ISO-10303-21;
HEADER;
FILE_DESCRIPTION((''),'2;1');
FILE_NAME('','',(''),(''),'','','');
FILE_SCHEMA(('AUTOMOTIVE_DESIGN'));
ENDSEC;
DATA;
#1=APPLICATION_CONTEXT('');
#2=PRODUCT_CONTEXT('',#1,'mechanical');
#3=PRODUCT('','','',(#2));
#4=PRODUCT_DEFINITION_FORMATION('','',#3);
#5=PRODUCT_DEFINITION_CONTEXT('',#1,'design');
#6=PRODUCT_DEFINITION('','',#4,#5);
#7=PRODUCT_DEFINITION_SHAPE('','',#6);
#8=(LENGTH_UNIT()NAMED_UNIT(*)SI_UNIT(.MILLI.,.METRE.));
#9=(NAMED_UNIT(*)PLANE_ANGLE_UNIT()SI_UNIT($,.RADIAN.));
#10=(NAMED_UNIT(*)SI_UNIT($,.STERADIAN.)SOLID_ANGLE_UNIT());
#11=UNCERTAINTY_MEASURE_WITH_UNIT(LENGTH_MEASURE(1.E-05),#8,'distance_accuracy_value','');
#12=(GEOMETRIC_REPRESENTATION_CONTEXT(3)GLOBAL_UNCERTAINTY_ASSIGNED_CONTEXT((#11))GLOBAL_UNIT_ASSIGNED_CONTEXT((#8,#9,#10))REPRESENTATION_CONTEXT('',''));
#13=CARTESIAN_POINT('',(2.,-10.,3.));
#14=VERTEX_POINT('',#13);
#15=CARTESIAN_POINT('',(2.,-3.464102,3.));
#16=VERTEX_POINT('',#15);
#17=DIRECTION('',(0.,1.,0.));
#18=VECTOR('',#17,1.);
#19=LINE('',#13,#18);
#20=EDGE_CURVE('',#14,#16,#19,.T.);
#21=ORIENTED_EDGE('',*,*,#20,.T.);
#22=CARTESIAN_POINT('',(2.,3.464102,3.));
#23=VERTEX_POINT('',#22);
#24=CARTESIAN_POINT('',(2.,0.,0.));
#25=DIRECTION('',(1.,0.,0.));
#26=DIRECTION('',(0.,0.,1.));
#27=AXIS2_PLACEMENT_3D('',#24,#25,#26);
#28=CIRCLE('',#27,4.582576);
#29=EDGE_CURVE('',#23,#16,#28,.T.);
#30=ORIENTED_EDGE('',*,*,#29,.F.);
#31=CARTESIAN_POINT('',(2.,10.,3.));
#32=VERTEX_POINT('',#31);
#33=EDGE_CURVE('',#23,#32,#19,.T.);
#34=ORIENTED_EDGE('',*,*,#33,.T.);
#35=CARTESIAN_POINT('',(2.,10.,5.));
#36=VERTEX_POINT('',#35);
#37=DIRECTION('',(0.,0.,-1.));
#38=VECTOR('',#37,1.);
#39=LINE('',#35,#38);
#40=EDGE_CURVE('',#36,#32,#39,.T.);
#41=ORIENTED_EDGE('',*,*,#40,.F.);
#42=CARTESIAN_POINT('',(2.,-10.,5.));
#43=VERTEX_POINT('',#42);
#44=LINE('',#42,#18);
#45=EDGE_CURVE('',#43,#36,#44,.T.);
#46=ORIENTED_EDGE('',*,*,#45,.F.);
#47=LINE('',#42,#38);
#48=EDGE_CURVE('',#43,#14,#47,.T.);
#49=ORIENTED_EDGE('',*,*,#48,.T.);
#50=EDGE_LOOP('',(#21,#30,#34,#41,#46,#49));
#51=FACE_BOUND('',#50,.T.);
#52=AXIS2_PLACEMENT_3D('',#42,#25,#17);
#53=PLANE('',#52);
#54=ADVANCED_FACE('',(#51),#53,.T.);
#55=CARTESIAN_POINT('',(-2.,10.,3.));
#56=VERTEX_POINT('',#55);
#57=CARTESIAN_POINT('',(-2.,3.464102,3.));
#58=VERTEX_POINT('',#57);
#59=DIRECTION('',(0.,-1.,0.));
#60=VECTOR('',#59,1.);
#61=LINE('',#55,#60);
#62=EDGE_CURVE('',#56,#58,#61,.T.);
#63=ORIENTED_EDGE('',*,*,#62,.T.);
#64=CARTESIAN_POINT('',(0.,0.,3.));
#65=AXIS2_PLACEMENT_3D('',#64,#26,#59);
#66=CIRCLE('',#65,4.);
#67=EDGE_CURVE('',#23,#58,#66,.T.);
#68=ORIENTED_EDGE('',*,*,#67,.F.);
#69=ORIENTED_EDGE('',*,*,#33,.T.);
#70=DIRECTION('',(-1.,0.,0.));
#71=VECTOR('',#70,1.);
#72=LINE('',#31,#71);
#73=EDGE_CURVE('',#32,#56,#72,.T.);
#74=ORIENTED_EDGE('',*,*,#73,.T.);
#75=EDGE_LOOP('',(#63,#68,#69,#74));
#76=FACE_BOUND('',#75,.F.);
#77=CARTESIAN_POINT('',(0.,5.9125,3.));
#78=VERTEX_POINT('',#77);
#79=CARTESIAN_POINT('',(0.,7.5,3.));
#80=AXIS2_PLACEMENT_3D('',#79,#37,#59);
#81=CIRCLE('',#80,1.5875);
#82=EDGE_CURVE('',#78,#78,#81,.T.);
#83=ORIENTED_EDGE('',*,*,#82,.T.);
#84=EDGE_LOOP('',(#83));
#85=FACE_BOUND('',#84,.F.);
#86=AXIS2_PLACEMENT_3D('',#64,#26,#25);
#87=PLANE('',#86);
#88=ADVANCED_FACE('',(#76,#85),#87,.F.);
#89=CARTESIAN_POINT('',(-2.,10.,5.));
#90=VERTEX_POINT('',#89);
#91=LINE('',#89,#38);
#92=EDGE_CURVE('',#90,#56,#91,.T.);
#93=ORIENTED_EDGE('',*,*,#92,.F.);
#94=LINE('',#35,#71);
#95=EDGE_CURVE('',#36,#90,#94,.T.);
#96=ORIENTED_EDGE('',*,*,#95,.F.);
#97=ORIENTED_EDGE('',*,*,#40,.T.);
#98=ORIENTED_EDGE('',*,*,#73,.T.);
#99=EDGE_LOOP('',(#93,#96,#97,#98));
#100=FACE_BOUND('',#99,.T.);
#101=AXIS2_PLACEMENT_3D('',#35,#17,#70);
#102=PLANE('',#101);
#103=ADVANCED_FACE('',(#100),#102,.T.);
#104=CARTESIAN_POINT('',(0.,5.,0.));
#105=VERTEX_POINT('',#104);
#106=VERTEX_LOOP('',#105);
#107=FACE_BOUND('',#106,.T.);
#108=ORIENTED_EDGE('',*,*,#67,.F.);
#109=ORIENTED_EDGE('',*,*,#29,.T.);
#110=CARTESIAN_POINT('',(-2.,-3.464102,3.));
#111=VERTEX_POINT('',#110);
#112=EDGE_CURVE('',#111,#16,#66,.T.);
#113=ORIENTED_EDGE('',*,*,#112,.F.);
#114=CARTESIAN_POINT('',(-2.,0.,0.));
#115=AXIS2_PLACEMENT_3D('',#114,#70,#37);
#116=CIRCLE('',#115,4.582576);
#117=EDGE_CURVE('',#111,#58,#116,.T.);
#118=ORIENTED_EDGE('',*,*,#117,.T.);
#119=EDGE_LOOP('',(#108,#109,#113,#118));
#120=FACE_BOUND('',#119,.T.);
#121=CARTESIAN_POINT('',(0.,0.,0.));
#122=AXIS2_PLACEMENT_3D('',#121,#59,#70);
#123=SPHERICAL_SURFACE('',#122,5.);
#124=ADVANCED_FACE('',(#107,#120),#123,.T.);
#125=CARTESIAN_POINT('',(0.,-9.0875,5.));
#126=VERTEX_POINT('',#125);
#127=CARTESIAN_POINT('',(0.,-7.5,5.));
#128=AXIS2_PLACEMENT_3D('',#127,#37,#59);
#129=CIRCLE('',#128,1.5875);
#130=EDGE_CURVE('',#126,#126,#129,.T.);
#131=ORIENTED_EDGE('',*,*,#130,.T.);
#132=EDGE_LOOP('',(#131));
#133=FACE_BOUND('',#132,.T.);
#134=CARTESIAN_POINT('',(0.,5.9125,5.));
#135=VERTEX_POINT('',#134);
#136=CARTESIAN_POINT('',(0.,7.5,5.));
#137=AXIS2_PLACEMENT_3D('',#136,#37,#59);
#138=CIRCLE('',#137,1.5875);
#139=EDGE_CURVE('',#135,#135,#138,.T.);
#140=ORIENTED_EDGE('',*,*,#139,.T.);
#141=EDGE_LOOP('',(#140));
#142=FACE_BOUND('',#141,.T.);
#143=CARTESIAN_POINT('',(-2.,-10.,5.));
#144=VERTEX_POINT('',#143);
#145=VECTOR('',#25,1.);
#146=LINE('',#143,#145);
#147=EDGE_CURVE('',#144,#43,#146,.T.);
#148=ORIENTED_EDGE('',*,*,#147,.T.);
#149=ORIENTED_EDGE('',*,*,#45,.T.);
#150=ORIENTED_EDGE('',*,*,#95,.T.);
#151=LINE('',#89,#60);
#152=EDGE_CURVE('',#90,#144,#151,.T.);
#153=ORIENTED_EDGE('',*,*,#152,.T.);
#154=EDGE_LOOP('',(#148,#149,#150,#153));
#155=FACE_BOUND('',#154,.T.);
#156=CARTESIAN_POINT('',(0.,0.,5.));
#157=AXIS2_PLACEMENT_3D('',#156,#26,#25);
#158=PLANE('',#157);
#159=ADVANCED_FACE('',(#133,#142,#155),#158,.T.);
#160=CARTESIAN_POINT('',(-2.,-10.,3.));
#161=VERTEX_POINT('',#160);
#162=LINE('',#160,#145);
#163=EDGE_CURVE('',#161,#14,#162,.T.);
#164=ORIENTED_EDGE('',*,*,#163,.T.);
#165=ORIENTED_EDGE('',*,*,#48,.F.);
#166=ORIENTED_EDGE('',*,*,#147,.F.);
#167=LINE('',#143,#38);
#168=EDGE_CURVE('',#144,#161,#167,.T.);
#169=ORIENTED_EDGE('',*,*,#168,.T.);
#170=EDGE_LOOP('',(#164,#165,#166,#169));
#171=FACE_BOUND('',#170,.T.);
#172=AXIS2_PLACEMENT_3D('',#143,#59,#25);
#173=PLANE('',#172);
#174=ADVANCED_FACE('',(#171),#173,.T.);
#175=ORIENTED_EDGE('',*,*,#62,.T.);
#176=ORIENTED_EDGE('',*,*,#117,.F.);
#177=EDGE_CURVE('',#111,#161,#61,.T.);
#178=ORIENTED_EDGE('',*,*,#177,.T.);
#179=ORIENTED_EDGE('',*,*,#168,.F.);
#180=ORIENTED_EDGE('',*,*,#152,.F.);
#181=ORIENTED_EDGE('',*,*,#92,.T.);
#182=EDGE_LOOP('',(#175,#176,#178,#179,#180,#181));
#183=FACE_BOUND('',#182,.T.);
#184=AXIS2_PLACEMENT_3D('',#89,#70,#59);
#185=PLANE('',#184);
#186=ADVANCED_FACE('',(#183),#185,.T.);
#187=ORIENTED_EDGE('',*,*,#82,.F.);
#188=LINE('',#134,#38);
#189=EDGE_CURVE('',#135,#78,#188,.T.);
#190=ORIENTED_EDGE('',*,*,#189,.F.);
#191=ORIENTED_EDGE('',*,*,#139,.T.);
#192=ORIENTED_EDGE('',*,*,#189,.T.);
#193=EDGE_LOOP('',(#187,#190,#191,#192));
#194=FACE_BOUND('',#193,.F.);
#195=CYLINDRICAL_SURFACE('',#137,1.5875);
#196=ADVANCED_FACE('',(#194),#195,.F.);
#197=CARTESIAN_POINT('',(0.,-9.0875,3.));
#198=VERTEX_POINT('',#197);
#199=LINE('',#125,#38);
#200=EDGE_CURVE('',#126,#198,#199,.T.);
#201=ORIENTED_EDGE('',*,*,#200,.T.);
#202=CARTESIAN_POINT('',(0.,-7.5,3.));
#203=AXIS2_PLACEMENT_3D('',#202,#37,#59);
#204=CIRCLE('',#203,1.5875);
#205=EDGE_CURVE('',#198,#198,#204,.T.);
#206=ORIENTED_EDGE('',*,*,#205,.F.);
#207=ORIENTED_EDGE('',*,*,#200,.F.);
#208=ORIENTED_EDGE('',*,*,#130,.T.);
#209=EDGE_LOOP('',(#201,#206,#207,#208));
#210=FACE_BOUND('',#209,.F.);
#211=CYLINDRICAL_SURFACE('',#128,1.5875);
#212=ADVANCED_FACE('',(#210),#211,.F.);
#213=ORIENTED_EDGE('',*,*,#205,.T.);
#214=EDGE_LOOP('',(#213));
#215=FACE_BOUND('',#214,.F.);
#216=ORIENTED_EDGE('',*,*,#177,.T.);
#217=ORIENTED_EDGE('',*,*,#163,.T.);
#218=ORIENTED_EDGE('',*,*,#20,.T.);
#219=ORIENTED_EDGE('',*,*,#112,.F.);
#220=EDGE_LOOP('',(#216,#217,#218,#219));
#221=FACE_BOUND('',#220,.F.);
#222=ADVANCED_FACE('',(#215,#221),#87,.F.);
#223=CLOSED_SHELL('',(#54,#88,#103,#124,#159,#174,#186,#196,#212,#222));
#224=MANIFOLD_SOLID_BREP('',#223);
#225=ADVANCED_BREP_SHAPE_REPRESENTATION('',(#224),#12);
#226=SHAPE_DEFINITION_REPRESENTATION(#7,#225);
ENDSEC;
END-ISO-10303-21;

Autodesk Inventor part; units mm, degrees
ref_plane "YZ Plane" through (0, 0, 0) normal (1, 0, 0) x (0, 1, 0)
ref_plane "XZ Plane" through (0, 0, 0) normal (0, 1, 0) x (-1, 0, 0)
sketch "Boceto1" plane through (0, 0, 0) normal (0, 0, 1) x (1, 0, 0)
  arc A0 (0, 5) -> (0, -5) centre (0, 0) ccw
  line L0 (0, 5) -> (0, -5)
revolve "Revolución1" add sketch "Boceto1" angle 360 about axis through (0, 5, 0) along (0, -1, 0)
ref_plane "Plano de trabajo1" through (0, 0, 5) normal (0, 0, 1) x (1, 0, 0)
sketch "Boceto2" plane through (0, 0, 5) normal (0, 0, 1) x (1, 0, 0)
  line L0 (-2, -10) -> (2, -10)
  line L1 (2, -10) -> (2, 10)
  line L2 (2, 10) -> (-2, 10)
  line L3 (-2, 10) -> (-2, -10)
  line L4 (-2, -10) -> (2, 10) construction
  line L5 (2, -10) -> (-2, 10) construction
  point P0 (0, 0)
  dimension "d3" = 4
  dimension "d4" = 20
extrude "Extrusión1" add sketch "Boceto2" against normal blind 2
sketch "Boceto3" plane through (0, 0, 5) normal (0, 0, 1) x (1, 0, 0)
  point P0 (0, 0)
  point P1 (0, 7.5)
  point P2 (0, -7.5)
hole "Agujero1" at (0, 7.5, 5) at (0, -7.5, 5) direction (0, 0, -1) diameter 3.175 end through all
properties part number "Rueda trasera"
